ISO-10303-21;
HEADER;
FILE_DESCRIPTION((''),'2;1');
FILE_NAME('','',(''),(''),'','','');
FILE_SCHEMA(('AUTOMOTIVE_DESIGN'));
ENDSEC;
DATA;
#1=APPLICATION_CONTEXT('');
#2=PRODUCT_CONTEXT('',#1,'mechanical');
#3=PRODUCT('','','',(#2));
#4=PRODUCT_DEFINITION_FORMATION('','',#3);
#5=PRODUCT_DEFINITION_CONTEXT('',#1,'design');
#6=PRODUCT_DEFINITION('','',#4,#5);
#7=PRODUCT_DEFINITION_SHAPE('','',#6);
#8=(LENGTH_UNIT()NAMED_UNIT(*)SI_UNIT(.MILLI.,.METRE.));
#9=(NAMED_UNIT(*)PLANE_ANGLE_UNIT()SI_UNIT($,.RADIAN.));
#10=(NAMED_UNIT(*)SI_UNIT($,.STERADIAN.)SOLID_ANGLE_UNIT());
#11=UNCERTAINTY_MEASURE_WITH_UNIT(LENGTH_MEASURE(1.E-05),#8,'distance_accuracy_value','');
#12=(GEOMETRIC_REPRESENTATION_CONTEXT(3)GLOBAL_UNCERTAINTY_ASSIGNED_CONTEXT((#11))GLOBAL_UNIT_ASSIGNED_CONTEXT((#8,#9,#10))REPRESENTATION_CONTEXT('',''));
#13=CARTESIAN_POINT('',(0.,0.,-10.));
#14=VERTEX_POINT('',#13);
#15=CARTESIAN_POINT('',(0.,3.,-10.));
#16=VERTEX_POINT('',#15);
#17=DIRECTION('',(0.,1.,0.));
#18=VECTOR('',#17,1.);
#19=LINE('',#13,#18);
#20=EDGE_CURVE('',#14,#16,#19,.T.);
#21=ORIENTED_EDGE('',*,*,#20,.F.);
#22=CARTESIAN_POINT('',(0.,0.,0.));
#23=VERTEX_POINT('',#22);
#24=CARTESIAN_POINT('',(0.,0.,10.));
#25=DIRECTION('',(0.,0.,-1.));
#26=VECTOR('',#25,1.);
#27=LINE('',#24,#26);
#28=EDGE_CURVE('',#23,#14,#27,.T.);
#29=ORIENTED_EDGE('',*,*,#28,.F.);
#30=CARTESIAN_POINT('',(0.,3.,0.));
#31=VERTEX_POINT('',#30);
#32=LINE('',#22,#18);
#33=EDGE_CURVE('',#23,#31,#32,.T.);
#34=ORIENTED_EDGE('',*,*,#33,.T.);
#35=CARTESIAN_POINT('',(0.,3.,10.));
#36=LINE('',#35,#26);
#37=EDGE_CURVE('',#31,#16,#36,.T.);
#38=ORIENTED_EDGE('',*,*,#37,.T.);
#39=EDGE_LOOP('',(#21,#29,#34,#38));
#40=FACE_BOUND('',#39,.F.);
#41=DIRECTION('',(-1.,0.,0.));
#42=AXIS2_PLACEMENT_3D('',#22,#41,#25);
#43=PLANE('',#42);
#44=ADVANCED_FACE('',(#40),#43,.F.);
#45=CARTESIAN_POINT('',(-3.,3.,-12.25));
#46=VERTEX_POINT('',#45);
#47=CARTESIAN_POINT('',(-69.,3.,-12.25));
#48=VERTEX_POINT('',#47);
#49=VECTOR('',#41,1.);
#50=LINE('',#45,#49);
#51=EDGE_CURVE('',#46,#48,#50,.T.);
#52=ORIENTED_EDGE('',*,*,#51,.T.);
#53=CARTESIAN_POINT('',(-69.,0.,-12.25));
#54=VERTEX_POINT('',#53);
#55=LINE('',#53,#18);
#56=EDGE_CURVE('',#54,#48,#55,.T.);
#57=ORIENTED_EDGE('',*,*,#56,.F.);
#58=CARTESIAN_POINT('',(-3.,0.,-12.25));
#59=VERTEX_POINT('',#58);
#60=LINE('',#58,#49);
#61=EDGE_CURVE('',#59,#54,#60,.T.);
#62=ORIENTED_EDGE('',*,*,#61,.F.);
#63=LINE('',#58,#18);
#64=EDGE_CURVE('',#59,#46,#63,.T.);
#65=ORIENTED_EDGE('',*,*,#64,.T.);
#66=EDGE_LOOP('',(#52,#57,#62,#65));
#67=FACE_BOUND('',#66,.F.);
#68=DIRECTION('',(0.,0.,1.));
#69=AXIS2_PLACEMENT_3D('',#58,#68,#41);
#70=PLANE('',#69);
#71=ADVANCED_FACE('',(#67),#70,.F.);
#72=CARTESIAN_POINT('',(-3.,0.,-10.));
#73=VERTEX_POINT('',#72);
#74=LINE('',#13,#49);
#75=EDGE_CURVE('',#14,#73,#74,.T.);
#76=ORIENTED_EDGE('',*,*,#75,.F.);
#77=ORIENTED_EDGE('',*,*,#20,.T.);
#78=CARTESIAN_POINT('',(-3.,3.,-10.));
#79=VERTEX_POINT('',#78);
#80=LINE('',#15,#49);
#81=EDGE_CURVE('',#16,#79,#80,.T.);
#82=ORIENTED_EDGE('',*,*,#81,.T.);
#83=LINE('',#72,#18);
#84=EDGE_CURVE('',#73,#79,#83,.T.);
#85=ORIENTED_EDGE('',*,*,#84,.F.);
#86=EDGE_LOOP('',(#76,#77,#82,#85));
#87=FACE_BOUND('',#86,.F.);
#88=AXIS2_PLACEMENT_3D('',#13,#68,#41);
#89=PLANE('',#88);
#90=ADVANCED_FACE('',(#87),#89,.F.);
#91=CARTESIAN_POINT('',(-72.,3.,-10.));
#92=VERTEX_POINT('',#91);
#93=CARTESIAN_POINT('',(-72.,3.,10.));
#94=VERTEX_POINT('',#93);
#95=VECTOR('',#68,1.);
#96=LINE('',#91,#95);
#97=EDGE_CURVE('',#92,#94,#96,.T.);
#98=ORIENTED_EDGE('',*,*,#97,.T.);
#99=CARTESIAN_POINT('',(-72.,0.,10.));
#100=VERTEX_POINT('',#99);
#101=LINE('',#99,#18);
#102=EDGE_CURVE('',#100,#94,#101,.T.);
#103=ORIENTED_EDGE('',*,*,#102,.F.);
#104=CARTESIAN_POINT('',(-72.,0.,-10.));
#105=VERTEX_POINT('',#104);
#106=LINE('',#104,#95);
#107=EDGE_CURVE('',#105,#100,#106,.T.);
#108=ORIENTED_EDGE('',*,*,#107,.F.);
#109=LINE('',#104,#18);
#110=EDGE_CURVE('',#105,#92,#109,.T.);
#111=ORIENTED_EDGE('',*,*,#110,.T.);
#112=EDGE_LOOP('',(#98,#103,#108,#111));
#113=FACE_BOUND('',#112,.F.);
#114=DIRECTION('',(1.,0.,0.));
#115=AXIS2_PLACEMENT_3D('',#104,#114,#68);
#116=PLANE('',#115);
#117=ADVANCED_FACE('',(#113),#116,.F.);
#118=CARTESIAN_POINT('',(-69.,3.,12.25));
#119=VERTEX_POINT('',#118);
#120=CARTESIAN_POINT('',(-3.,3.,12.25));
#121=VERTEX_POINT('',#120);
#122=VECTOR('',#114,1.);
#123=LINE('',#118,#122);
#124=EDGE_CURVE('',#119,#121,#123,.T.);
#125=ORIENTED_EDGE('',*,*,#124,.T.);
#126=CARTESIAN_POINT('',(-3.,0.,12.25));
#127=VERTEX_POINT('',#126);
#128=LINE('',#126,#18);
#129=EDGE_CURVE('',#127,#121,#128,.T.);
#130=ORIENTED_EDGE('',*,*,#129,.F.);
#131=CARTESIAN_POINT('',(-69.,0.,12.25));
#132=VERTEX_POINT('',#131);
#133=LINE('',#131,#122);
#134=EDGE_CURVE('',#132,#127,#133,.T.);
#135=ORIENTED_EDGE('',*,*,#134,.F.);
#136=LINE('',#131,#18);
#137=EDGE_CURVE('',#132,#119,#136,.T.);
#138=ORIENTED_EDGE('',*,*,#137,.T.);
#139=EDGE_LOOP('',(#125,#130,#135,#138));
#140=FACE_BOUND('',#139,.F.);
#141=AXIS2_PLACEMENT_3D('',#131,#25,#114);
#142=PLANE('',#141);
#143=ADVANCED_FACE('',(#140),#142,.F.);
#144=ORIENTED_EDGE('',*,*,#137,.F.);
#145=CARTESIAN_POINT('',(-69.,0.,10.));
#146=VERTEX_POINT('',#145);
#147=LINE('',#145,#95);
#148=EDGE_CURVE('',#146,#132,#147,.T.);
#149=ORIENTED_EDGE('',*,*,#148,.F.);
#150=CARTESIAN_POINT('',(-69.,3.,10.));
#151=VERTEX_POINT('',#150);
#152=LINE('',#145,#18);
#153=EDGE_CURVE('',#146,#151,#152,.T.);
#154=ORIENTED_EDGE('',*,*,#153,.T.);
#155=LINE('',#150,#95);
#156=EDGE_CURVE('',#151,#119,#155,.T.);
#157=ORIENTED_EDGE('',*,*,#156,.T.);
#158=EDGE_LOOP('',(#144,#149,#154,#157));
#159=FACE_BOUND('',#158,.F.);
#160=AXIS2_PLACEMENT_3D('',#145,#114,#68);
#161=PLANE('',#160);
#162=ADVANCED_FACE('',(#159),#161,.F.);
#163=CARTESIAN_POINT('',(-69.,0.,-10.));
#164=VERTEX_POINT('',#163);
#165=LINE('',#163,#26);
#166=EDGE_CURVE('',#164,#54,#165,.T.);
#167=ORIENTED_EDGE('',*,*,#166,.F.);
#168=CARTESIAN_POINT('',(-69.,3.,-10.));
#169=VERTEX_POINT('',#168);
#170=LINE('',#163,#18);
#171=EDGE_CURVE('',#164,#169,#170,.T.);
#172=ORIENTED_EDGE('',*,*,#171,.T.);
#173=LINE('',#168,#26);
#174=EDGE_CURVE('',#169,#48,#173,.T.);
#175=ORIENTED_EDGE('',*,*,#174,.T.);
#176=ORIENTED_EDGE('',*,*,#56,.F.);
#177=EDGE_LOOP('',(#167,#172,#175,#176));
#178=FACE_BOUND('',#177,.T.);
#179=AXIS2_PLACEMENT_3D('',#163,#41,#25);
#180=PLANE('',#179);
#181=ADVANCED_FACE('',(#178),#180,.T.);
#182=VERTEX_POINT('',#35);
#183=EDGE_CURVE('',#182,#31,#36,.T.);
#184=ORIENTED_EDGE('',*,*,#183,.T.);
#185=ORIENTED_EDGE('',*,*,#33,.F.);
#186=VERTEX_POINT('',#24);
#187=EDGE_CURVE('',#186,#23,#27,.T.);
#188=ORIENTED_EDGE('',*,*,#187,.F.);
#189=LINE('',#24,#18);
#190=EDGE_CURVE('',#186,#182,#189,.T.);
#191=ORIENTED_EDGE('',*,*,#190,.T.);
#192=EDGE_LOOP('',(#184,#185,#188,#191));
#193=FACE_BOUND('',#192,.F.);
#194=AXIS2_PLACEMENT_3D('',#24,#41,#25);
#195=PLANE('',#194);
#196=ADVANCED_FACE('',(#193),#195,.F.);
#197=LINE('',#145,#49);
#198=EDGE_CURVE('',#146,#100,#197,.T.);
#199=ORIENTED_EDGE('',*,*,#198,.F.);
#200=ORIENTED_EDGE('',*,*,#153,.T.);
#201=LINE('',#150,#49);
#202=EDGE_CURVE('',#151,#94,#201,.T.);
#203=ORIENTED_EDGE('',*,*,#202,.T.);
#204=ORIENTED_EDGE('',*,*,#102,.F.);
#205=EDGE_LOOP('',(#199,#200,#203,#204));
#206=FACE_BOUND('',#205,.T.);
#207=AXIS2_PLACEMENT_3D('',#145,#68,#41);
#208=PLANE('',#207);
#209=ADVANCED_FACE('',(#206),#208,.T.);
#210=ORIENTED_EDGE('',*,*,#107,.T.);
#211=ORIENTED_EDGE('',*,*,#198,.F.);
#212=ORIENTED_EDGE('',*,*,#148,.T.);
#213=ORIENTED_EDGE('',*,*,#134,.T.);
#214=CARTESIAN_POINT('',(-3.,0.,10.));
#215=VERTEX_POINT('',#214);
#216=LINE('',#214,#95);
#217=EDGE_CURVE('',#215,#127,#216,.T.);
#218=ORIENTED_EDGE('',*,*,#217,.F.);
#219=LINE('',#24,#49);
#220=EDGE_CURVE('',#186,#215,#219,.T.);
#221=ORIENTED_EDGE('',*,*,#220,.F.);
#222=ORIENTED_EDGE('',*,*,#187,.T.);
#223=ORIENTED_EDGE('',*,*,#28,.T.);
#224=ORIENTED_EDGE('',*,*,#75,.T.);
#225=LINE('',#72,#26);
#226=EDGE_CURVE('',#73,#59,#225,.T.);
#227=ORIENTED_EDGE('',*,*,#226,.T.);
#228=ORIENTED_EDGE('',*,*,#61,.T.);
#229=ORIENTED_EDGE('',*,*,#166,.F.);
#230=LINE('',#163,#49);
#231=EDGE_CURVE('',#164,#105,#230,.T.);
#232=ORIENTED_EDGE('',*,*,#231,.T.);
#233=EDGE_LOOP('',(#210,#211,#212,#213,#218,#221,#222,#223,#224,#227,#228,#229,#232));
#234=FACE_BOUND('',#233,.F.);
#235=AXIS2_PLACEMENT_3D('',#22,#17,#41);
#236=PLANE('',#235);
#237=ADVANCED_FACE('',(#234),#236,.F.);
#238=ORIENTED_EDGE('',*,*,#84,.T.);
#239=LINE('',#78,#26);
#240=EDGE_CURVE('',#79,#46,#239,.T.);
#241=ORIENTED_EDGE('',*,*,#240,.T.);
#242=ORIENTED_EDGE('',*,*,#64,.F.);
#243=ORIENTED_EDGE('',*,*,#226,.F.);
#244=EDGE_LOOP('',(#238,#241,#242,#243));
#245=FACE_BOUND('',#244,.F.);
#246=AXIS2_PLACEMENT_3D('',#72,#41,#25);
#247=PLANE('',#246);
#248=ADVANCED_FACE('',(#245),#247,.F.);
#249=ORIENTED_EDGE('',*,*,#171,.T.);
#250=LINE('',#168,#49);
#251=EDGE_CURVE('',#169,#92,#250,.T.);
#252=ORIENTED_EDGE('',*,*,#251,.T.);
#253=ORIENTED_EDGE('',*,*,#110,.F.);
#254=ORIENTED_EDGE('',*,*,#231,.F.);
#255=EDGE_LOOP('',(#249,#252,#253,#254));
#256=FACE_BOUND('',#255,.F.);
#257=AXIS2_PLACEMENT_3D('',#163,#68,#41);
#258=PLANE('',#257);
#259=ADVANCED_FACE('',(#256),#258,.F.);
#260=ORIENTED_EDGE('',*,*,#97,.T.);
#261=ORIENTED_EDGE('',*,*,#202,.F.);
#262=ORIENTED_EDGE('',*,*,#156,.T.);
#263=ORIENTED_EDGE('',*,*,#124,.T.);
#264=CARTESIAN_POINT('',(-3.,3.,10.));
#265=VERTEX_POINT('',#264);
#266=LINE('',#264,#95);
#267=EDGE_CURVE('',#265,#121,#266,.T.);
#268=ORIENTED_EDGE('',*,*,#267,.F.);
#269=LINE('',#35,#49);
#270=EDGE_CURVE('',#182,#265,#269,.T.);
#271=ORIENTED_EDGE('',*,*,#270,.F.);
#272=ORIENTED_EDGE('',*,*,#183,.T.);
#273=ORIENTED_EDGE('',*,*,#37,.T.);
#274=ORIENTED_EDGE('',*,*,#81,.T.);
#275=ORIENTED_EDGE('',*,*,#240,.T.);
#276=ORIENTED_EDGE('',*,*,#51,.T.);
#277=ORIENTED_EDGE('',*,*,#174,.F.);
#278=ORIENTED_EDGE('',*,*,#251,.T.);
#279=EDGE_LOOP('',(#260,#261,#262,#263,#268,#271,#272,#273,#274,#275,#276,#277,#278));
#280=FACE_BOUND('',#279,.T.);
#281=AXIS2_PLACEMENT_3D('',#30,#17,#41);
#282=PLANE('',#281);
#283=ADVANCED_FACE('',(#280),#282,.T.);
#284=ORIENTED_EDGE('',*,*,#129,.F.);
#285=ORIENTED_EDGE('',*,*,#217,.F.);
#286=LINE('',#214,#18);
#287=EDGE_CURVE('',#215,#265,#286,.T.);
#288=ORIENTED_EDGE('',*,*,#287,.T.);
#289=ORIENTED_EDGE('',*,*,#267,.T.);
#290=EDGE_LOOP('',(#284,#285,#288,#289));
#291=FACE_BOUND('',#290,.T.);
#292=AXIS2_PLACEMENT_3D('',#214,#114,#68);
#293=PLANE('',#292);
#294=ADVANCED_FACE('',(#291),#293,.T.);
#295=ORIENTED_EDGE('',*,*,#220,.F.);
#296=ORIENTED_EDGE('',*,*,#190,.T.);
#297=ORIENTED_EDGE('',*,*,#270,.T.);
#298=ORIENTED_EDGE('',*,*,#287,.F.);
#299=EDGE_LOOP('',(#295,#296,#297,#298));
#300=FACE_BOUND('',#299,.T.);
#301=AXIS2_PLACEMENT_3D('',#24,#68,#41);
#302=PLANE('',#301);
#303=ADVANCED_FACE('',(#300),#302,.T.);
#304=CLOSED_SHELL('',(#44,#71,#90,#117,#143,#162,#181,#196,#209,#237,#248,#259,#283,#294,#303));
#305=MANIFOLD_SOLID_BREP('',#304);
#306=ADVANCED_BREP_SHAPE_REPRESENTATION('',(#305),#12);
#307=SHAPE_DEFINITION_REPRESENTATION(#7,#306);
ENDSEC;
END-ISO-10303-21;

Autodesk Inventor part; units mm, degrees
ref_plane "YZ Plane" through (0, 0, 0) normal (1, 0, 0) x (0, 1, 0)
ref_plane "XZ Plane" through (0, 0, 0) normal (0, 1, 0) x (-1, 0, 0)
ref_plane "XY Plane" through (0, 0, 0) normal (0, 0, 1) x (1, 0, 0)
sketch "草圖1" plane through (0, 0, 0) normal (0, 1, 0) x (-1, 0, 0)
  line L0 (0, 10) -> (3, 10)
  line L1 (3, 10) -> (3, 12.25)
  line L2 (69, 10) -> (69, 12.25)
  line L3 (69, 10) -> (72, 10)
  line L4 (69, -10) -> (72, -10)
  line L5 (69, -10) -> (69, -12.25)
  line L6 (3, -10) -> (3, -12.25)
  line L7 (0, -10) -> (3, -10)
  line L8 (3, -12.25) -> (69, -12.25)
  line L9 (72, -10) -> (72, 10)
  line L10 (69, 12.25) -> (3, 12.25)
  line L11 (0, 10) -> (0, -10)
  line L12 (0, 0) -> (0, -38.3248)
  dimension "d0" = 66
  dimension "d1" = 20
  dimension "d2" = 2.25
  dimension "d3" = 3
  dimension "d4" = 20
  dimension "d5" = 72
extrude "擠出1" add sketch "草圖1" along normal blind 3
properties part number "support" material "木材 (楓木)"
